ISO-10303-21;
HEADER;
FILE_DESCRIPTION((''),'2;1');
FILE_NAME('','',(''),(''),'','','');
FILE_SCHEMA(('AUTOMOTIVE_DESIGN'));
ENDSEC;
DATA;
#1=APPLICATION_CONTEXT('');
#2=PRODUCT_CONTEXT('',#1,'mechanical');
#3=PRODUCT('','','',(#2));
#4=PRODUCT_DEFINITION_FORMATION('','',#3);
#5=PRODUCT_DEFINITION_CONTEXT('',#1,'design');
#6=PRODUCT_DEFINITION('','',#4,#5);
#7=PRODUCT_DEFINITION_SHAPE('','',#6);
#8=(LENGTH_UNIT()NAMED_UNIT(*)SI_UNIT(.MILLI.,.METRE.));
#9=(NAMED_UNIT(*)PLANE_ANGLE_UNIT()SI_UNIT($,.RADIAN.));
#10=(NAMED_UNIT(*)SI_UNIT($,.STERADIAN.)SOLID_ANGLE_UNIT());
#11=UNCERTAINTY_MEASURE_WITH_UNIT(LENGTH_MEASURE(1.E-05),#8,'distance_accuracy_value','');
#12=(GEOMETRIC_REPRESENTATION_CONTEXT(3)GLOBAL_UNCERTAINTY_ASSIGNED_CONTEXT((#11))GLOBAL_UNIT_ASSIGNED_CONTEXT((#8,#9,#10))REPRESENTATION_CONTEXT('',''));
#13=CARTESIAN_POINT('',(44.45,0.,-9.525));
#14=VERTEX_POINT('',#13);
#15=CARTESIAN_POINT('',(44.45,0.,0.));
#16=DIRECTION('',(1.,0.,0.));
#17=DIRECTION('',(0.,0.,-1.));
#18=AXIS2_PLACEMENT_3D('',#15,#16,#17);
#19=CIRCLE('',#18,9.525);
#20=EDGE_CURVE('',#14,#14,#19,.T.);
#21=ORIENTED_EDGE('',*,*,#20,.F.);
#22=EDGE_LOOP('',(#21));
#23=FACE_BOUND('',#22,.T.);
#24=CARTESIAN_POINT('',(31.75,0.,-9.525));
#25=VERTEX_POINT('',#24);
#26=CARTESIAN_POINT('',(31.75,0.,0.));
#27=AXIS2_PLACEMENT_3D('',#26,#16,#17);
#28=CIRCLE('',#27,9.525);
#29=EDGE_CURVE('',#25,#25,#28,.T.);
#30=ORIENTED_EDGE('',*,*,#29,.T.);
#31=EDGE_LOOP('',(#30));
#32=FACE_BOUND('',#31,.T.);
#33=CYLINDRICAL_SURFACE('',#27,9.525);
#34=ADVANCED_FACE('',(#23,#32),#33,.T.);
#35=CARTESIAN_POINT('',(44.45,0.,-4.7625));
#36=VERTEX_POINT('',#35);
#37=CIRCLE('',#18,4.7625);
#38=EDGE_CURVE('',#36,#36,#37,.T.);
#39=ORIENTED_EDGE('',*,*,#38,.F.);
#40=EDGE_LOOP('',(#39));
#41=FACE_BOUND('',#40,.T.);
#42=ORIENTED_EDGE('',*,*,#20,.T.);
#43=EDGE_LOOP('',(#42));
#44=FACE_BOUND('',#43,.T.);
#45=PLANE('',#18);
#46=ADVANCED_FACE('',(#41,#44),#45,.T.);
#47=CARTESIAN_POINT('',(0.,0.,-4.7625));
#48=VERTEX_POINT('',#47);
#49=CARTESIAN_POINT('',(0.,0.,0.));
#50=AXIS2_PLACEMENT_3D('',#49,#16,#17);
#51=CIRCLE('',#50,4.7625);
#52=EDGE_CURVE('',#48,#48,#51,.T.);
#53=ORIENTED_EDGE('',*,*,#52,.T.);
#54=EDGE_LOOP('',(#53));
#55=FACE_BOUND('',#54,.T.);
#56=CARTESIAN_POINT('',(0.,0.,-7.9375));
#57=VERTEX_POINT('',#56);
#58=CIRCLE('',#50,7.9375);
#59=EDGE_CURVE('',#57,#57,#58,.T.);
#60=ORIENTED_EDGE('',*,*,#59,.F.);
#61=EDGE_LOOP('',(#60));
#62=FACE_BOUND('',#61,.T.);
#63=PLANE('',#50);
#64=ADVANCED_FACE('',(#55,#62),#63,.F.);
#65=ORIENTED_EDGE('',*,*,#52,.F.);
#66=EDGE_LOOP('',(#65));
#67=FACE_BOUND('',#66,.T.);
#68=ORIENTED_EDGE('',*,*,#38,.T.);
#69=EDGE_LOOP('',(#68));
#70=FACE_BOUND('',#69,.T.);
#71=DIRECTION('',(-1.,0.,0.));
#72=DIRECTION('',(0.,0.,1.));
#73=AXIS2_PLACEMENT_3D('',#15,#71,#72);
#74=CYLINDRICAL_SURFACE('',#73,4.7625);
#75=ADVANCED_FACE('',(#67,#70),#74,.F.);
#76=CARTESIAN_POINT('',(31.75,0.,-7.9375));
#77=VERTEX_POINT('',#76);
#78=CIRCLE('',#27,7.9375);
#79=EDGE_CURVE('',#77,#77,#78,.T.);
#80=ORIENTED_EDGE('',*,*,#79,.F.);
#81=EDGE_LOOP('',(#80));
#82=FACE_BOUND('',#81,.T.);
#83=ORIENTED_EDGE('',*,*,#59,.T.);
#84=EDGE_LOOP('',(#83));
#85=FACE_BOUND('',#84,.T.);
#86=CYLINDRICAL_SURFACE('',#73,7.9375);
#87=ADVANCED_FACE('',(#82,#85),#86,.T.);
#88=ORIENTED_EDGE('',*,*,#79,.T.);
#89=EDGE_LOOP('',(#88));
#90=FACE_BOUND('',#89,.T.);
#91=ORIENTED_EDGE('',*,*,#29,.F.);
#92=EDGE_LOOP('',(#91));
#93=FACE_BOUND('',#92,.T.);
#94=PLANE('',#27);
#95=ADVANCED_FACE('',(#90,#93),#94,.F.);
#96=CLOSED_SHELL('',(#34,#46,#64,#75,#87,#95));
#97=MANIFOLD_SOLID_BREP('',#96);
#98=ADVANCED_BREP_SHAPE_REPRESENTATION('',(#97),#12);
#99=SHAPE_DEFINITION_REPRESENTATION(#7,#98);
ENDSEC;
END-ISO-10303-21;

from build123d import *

# Parameters (mm, degrees)
SKETCH2_R           = 7.9375
SKETCH2_R_2         = 4.7625
BOSS_EXTRUDE1_DEPTH = 44.45
BOSS_EXTRUDE2_START = -12.7
SKETCH3_R           = 9.525
SKETCH3_R_2         = 7.9375
BOSS_EXTRUDE2_DEPTH = 12.7


with BuildPart() as part:
    # Sketch2 → Boss-Extrude1 (new body)
    with BuildSketch(Plane.YZ):
        with Locations(Location((0, 0, 0), (0, 0, 270))):
            Circle(SKETCH2_R)
        with Locations(Location((0, 0, 0), (0, 0, 270))):
            Circle(SKETCH2_R_2, mode=Mode.SUBTRACT)
    extrude(amount=BOSS_EXTRUDE1_DEPTH)

    # Sketch3 → Boss-Extrude2 (add)
    with BuildSketch(Plane.YZ.offset(44.45).offset(BOSS_EXTRUDE2_START)):
        with Locations(Location((0, 0, 0), (0, 0, 270))):
            Circle(SKETCH3_R)
        with Locations(Location((0, 0, 0), (0, 0, 270))):
            Circle(SKETCH3_R_2, mode=Mode.SUBTRACT)
    extrude(amount=BOSS_EXTRUDE2_DEPTH)


solid = part.part
